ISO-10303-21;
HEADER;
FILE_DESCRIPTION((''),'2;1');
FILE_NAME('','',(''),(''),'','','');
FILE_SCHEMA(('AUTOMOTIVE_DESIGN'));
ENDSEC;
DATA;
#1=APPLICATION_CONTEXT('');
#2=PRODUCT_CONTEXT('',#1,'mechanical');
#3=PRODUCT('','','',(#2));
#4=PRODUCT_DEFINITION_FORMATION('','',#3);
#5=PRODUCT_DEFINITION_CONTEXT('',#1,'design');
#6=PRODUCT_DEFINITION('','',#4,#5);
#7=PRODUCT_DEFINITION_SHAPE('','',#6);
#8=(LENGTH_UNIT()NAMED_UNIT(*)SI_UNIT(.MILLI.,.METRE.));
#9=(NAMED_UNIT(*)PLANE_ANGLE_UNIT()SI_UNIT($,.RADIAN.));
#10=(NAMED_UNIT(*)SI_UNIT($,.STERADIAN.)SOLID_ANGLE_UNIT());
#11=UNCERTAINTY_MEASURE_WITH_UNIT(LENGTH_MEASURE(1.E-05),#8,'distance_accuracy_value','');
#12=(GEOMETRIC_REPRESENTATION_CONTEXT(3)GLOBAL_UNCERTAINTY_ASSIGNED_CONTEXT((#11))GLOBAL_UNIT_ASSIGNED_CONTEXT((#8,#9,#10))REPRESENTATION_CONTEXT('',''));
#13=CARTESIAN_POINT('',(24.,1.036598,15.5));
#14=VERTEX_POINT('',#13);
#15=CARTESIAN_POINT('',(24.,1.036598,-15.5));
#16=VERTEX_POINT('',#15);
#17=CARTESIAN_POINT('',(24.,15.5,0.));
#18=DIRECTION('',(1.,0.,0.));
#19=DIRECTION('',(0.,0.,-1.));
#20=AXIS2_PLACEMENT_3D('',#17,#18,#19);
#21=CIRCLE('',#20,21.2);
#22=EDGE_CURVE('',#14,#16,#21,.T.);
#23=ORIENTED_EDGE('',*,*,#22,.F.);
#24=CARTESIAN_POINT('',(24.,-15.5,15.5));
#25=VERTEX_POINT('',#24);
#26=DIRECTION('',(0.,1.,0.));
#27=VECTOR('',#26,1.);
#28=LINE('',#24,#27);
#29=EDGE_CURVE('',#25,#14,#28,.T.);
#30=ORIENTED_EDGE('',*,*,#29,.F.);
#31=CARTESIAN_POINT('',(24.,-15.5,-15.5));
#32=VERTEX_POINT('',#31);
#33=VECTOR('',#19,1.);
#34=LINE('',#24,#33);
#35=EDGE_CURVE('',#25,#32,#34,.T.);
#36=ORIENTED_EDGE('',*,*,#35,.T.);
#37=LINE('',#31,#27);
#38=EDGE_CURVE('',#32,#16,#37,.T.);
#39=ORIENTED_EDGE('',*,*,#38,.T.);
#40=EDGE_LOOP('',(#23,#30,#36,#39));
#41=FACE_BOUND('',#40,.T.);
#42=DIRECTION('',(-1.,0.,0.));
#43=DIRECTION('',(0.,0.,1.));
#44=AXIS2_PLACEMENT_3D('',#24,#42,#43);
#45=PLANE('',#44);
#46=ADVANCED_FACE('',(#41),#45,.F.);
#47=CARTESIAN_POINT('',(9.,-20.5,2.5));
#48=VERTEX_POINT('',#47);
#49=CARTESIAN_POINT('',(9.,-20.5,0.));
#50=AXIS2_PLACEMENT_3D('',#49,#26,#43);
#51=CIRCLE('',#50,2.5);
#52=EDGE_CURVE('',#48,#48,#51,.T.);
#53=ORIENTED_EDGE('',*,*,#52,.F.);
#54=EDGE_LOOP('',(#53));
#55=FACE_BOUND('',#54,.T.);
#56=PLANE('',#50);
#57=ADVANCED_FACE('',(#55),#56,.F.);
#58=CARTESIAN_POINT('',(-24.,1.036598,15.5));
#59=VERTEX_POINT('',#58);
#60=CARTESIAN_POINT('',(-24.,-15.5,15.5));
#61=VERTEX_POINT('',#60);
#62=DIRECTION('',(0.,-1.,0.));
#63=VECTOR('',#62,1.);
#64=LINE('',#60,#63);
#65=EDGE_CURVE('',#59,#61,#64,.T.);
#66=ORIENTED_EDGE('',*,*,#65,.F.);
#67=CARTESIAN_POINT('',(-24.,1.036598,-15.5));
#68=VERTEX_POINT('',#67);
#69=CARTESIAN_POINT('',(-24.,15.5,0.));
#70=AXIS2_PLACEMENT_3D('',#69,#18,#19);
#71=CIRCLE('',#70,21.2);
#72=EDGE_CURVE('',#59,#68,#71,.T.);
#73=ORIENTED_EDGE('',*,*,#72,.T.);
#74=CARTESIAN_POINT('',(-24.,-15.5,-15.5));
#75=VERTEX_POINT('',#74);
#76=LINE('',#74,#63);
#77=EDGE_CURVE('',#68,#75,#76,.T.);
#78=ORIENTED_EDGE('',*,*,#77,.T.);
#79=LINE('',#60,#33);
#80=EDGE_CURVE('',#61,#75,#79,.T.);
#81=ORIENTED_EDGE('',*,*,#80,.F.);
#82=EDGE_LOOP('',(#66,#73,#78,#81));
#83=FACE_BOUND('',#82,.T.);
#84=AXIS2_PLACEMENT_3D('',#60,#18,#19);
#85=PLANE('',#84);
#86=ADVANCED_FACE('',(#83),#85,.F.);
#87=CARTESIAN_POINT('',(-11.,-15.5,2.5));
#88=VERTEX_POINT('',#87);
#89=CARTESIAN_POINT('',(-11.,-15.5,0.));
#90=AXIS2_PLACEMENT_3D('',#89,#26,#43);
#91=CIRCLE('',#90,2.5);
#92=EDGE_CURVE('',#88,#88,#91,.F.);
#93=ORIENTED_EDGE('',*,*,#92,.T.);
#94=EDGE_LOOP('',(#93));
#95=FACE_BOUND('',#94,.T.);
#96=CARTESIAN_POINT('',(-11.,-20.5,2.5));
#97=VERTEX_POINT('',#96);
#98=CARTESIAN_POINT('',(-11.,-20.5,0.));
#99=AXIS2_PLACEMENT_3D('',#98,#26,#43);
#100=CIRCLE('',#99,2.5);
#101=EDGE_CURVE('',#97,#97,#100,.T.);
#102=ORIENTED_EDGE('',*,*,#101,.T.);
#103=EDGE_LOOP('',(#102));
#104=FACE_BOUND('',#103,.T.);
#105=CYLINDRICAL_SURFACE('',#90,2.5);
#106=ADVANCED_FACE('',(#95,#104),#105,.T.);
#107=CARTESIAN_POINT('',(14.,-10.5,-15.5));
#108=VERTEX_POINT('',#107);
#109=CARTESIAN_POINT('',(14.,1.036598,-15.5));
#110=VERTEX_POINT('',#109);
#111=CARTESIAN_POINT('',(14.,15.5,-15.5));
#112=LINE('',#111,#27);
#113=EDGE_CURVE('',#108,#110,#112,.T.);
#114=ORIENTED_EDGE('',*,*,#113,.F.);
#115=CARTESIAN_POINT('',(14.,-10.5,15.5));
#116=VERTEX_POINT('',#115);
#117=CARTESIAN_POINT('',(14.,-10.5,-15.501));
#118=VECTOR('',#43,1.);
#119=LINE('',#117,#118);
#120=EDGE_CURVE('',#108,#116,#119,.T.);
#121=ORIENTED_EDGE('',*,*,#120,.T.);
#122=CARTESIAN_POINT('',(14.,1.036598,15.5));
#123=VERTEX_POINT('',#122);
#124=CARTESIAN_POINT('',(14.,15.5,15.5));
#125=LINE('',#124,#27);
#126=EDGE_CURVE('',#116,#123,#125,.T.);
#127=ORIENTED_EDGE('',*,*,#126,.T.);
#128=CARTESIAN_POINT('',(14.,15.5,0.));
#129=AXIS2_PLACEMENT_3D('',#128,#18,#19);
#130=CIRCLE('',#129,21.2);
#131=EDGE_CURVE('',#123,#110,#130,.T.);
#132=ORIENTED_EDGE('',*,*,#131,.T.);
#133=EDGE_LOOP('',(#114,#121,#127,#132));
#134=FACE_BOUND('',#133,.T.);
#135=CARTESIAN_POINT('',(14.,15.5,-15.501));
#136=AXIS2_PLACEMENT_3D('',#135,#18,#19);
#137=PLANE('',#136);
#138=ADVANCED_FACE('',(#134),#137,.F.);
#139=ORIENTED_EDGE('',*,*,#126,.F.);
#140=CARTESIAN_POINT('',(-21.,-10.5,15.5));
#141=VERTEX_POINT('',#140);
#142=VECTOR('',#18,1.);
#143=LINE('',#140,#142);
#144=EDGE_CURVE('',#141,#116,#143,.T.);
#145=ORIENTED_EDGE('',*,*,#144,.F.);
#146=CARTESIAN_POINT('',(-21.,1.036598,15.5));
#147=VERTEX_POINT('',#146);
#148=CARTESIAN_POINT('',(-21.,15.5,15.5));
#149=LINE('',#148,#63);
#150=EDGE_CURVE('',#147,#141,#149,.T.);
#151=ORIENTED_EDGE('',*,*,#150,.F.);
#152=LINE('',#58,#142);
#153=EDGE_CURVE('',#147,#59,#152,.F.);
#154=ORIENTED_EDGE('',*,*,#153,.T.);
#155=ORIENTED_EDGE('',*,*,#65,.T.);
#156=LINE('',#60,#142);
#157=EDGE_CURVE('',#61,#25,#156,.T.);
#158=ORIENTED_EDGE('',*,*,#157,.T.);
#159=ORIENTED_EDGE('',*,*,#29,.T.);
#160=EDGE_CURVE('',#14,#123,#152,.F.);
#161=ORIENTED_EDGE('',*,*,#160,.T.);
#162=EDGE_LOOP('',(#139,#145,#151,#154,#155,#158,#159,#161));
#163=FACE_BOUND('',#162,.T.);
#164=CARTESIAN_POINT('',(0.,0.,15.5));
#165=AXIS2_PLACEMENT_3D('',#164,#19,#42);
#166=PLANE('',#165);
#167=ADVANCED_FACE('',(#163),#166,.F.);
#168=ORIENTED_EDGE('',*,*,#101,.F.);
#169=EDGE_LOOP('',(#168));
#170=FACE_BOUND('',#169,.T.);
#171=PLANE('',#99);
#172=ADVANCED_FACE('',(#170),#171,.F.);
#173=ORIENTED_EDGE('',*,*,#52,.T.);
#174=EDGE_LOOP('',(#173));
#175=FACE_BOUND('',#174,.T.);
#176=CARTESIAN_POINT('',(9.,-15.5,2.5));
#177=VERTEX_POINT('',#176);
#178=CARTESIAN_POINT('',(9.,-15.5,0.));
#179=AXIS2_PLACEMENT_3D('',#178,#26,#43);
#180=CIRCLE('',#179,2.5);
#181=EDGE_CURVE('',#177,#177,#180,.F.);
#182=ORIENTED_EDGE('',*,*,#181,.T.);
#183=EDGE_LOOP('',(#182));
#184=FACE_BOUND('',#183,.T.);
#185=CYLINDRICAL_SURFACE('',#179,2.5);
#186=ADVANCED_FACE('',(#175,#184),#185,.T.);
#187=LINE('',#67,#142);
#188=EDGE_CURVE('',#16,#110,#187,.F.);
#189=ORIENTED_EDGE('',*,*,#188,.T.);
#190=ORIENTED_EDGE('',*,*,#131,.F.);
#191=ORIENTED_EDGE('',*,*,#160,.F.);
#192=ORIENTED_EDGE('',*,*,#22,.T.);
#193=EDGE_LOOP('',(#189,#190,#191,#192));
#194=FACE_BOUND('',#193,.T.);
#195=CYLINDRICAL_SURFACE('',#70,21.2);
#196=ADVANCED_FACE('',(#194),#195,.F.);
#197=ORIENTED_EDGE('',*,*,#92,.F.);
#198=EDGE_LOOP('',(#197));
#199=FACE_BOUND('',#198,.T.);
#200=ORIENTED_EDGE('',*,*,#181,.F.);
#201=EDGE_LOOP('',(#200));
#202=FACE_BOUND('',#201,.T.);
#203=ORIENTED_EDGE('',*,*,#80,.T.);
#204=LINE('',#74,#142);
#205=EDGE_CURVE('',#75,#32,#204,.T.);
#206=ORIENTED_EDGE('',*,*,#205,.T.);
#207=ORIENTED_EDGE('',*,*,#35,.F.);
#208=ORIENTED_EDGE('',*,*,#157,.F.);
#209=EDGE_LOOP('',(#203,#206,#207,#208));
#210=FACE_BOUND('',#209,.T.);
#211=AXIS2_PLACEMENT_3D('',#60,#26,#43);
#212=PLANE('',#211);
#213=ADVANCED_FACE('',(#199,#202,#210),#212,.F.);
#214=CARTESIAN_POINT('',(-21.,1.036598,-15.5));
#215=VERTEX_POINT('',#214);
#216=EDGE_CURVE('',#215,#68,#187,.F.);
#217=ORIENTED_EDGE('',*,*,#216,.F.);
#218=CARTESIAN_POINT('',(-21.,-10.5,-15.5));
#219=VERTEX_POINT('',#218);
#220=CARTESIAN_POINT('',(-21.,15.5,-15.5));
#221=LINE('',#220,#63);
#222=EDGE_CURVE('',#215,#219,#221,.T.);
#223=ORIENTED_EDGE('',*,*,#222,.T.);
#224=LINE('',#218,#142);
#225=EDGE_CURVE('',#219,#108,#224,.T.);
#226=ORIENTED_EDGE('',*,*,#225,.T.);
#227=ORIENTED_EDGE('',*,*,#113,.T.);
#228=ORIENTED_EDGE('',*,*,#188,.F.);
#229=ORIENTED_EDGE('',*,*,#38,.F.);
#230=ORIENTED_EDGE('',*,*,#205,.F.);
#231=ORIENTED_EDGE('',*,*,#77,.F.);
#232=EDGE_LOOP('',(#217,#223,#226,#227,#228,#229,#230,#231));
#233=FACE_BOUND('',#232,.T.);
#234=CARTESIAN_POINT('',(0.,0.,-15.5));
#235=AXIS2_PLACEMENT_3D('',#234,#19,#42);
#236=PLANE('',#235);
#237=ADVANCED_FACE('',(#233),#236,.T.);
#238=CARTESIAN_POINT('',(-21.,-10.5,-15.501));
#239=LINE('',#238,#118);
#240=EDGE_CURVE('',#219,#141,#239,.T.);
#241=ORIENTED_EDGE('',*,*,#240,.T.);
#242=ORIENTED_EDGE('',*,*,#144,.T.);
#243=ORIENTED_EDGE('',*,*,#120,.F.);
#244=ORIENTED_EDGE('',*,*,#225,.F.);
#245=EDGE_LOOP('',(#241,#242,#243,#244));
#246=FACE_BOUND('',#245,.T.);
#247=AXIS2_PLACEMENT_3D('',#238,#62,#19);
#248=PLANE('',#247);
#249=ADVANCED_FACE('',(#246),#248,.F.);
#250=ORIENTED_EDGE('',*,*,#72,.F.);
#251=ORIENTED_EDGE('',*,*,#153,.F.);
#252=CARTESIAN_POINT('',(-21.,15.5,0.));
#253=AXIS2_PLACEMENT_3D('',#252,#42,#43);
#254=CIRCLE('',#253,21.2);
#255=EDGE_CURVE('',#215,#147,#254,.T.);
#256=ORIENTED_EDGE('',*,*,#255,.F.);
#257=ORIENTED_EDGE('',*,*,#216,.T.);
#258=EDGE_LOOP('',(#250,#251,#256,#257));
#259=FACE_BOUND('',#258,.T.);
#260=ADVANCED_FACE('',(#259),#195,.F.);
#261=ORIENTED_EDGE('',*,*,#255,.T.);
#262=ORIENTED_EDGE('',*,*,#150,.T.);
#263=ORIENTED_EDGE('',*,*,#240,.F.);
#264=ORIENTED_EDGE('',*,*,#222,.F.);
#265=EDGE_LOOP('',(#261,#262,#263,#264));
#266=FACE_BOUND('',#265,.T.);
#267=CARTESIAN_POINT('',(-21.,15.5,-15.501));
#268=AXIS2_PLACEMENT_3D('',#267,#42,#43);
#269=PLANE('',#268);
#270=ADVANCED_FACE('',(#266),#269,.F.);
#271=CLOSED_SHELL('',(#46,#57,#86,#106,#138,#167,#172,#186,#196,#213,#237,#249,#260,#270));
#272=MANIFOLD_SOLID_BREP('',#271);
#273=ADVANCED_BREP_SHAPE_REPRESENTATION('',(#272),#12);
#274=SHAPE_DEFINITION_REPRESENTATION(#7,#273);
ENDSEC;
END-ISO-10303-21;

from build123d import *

# Parameters (mm, degrees)
SCHIZZO1_W                   = 48
SCHIZZO1_H                   = 31
ESTRUSIONE_ESTRUSIONE1_DEPTH = 15.5
TAGLIO_ESTRUSIONE1_REACH     = 44.157
SCHIZZO2_W                   = 35
SCHIZZO2_H                   = 26
SCHIZZO3_R                   = 21.2
TAGLIO_ESTRUSIONE2_DEPTH     = 53.768361733
SCHIZZO5_W                   = 2.5
SCHIZZO5_H                   = 5
RIPETIZIONE_A_L1_COUNT       = 2
RIPETIZIONE_A_L1_PITCH       = 20


with BuildPart() as part:
    # Schizzo1 → Estrusione-Estrusione1 (new, symmetric)
    with BuildSketch(Plane.XY):
        Rectangle(SCHIZZO1_W, SCHIZZO1_H)
    extrude(amount=ESTRUSIONE_ESTRUSIONE1_DEPTH, both=True)

    # Schizzo2 → Taglio-Estrusione1 (cut, up to next)
    with BuildSketch(Plane.XY.offset(15.5), mode=Mode.PRIVATE) as taglio_estrusione1_sk1:
        with Locations((-3.5, 2.5)):
            Rectangle(SCHIZZO2_W, SCHIZZO2_H)
    taglio_estrusione1_tool1 = extrude(taglio_estrusione1_sk1.sketch, amount=-TAGLIO_ESTRUSIONE1_REACH, mode=Mode.PRIVATE) & part.part
    add(taglio_estrusione1_tool1.solids().sort_by_distance((-3.5, 2.5, 15.5))[0], mode=Mode.SUBTRACT)

    # Schizzo3 → Taglio-Estrusione2 (cut, through all)
    with BuildSketch(Plane(origin=(24, 0, 0), x_dir=(0, 0, -1), z_dir=(1, 0, 0))):
        with Locations((0, 15.5)):
            Circle(SCHIZZO3_R)
    extrude(amount=-TAGLIO_ESTRUSIONE2_DEPTH, mode=Mode.SUBTRACT)

    # Schizzo5 → Rivoluzione2 (revolve)
    with BuildSketch(Plane.XY, mode=Mode.PRIVATE) as rivoluzione2_sk:
        with Locations((10.25, -18)):
            Rectangle(SCHIZZO5_W, SCHIZZO5_H)
    rivoluzione2 = revolve(rivoluzione2_sk.sketch.rotate(Axis((9, -15.5, 0), (0, -1, 0)), 90), axis=Axis((9, -15.5, 0), (0, -1, 0)))

    # Ripetizione a L1: Rivoluzione2 ×2
    with Locations(*[(-i * RIPETIZIONE_A_L1_PITCH, 0, 0) for i in range(1, RIPETIZIONE_A_L1_COUNT)]):
        add(rivoluzione2)


solid = part.part
